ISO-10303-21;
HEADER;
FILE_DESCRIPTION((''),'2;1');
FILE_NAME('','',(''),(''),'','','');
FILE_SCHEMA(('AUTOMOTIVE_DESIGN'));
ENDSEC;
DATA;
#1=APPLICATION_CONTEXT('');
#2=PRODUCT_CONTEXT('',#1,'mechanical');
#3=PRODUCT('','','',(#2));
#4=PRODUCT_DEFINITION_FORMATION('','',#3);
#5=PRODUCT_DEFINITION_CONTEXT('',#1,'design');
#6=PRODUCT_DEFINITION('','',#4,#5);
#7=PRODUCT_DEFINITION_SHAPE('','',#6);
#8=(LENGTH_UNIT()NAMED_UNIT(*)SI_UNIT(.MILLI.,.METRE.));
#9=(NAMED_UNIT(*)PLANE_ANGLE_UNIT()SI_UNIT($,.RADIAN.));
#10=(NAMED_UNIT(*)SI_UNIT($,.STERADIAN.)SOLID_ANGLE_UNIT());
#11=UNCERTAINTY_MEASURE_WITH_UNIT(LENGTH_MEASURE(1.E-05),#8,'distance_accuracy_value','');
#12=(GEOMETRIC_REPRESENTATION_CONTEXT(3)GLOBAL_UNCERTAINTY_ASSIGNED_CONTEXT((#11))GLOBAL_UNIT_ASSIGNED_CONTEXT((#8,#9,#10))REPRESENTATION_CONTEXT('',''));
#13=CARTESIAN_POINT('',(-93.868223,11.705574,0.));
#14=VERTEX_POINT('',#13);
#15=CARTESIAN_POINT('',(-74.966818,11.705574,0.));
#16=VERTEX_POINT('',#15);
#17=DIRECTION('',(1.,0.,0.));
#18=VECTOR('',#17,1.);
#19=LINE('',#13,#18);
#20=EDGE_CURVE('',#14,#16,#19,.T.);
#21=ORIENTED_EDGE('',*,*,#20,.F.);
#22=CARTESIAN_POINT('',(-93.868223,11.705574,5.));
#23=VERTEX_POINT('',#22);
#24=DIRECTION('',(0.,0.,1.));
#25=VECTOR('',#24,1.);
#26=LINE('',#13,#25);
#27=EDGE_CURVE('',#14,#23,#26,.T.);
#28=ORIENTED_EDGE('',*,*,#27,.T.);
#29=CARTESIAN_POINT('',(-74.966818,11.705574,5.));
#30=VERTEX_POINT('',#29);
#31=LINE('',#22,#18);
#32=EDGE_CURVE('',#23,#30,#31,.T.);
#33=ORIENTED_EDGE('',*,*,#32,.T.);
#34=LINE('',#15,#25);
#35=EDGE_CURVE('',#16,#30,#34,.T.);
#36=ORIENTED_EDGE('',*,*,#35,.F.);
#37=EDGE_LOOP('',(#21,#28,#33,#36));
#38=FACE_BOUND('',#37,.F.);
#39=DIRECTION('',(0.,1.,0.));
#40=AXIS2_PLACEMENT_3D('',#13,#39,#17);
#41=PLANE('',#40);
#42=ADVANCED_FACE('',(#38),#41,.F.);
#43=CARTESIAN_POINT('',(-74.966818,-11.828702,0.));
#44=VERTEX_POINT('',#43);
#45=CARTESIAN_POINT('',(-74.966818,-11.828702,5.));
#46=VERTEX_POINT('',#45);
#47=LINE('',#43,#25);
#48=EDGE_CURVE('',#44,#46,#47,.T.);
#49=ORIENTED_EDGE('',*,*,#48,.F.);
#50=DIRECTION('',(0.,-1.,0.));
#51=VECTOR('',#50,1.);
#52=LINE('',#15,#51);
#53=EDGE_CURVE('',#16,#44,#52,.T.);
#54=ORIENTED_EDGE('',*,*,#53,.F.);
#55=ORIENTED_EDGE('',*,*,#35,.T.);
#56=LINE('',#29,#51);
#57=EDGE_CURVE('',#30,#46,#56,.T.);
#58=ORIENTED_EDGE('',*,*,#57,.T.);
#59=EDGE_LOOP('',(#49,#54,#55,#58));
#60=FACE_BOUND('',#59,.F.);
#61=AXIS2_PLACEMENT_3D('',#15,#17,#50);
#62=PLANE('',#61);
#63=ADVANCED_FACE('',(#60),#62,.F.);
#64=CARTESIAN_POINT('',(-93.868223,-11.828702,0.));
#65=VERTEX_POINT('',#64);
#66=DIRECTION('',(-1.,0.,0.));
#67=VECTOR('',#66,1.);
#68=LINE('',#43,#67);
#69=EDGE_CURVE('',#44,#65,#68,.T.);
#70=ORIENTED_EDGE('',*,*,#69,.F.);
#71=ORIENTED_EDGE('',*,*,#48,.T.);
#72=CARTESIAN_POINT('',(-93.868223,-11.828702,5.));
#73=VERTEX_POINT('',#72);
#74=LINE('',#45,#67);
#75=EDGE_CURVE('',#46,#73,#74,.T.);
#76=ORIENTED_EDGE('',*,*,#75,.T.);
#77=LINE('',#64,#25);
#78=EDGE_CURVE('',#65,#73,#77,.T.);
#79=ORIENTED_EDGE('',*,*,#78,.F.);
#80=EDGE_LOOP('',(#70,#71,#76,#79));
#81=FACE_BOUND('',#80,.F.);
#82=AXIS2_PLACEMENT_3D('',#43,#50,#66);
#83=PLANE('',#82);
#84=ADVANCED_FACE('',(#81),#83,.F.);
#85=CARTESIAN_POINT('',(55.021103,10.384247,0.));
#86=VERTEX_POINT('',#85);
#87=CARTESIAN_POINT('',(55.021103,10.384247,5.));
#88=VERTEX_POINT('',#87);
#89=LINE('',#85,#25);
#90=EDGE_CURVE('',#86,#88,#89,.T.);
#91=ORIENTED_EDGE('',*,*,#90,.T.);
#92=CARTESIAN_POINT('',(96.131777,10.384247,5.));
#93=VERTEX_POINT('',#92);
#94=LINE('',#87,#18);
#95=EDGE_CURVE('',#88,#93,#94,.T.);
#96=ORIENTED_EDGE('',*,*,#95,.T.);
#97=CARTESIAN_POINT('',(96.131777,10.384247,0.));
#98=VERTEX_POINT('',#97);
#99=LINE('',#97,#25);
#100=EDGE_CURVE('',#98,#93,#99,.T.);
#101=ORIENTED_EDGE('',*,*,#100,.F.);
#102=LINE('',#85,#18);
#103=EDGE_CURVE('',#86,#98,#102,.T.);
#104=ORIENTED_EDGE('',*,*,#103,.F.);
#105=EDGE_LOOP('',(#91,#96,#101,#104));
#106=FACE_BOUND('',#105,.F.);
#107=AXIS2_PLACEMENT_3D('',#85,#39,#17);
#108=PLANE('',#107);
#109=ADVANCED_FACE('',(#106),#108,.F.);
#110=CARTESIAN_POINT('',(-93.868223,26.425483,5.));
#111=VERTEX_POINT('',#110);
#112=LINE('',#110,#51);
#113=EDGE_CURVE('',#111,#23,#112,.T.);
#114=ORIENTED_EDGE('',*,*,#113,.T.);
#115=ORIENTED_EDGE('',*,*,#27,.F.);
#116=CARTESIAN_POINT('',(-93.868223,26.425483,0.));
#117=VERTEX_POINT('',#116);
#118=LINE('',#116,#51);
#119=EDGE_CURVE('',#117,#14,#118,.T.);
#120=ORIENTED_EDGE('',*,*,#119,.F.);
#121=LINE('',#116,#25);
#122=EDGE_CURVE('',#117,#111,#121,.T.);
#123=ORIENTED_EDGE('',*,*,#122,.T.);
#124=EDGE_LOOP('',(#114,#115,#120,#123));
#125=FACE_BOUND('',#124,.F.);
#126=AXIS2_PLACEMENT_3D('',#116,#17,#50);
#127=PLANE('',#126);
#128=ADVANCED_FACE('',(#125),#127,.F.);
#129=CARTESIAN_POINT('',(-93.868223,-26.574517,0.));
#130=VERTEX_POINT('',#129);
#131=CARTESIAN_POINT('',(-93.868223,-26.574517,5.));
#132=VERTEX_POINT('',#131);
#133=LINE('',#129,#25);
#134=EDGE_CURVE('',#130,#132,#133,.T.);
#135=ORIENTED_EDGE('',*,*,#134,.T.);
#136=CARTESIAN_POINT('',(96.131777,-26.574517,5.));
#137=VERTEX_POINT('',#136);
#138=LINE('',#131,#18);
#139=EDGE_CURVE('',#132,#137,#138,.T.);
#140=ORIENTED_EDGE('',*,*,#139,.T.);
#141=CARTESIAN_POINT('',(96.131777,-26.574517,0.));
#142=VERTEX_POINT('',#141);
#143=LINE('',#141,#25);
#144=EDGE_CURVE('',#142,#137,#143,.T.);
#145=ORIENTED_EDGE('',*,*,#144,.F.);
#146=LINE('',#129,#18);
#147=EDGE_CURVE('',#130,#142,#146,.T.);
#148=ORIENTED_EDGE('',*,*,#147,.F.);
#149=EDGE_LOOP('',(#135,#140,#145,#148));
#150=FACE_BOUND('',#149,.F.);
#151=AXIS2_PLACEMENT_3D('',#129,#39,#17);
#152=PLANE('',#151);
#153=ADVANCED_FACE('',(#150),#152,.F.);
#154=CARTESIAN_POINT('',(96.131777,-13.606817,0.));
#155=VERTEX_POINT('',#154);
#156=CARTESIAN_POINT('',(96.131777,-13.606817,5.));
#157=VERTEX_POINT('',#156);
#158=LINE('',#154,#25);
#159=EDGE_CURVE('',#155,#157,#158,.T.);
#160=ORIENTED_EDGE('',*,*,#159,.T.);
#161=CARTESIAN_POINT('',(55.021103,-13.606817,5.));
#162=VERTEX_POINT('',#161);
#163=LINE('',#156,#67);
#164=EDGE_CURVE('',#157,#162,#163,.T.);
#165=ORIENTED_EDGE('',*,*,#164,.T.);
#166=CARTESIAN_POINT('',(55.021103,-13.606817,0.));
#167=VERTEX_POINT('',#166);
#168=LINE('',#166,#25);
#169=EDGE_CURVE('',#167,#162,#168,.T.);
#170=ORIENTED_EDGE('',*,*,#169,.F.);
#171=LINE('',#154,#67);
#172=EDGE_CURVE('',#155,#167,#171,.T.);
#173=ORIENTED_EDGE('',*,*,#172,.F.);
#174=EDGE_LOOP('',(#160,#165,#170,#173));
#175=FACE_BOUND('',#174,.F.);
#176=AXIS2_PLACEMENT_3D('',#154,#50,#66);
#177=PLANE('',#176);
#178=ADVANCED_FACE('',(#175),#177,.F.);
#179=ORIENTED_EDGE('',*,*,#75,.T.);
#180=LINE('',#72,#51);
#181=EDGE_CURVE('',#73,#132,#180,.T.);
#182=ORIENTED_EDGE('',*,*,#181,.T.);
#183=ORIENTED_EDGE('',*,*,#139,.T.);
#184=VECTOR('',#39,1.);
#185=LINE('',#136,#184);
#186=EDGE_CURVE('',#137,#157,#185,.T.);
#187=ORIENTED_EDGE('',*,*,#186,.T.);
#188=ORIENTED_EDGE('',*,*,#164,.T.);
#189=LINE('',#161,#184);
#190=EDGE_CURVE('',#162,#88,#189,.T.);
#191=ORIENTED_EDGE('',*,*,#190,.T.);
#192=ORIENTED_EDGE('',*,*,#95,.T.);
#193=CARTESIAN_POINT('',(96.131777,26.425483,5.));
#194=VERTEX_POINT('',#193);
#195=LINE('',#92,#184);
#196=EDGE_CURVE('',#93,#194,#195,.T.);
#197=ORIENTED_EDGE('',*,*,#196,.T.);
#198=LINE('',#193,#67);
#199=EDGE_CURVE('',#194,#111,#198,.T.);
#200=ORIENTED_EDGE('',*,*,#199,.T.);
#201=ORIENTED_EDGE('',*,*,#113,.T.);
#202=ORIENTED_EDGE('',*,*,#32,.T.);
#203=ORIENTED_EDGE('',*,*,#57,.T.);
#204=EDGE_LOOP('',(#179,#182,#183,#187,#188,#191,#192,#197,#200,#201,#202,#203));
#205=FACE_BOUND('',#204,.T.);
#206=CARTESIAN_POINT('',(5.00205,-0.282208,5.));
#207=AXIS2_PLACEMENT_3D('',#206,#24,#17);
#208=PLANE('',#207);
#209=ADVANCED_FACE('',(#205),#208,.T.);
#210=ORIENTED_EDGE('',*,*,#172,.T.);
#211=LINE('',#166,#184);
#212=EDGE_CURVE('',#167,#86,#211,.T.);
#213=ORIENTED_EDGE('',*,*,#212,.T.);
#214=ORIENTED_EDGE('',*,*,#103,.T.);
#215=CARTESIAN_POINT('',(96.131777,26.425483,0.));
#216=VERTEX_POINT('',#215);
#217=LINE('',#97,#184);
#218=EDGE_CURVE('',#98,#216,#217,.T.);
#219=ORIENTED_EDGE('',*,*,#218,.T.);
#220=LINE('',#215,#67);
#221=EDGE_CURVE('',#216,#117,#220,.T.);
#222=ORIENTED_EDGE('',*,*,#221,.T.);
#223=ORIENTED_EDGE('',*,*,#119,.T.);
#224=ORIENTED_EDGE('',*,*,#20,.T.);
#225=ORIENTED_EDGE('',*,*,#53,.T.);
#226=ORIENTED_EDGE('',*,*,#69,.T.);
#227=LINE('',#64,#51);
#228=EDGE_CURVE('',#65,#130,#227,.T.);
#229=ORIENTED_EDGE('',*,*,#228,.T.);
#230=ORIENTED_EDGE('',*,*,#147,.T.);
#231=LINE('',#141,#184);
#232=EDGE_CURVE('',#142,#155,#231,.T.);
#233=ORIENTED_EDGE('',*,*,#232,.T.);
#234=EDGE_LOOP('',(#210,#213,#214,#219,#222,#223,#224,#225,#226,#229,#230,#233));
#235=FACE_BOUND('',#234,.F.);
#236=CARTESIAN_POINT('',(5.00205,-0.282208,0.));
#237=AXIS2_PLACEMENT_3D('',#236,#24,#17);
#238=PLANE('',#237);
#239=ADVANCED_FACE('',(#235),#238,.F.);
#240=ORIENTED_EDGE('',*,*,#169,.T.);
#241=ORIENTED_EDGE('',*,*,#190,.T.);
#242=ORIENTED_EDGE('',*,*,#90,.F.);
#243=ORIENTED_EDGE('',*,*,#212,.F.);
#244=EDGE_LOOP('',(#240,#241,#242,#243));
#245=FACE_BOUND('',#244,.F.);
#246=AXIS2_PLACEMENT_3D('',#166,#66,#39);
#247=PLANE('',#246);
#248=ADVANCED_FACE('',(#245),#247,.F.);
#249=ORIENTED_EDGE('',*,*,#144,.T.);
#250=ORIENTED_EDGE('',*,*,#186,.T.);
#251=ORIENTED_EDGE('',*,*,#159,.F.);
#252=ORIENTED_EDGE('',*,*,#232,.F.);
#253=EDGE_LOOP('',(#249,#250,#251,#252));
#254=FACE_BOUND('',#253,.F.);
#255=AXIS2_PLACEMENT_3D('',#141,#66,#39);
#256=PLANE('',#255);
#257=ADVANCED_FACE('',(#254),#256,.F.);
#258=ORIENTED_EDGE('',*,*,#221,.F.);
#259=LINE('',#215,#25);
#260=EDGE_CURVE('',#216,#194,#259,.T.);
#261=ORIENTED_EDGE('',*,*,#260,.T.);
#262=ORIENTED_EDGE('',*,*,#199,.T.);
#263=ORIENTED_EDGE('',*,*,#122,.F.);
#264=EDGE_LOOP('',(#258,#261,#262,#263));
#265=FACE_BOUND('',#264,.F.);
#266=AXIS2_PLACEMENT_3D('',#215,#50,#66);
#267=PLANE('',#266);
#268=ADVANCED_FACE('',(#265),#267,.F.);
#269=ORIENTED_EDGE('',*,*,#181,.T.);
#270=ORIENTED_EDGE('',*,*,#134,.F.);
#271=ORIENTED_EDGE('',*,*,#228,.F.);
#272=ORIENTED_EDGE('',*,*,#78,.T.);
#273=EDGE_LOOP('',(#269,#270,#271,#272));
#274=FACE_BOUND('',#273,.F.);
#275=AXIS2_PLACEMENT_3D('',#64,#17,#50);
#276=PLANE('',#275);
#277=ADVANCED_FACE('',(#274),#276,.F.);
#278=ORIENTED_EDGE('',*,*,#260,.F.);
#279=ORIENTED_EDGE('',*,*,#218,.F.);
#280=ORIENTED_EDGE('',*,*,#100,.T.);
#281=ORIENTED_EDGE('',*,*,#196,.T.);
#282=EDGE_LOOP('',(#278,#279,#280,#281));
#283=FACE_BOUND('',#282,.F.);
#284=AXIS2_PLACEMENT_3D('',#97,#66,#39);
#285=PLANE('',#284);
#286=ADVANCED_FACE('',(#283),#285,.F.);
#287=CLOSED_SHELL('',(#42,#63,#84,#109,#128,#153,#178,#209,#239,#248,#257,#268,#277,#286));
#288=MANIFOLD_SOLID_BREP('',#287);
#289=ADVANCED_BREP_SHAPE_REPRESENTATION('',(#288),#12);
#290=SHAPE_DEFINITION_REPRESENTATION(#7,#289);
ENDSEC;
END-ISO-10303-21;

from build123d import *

# Parameters (mm, degrees)
F1_DEPTH = 5
F0_W     = 41.110674
F0_H     = 23.991064
F2_DEPTH = 25
F3_DEPTH = 25


with BuildPart() as f1:
    # F0 (on Top) → F1 (new body)
    with BuildSketch(Plane.XY):
        Polygon((96.131777, 26.425483), (-93.868223, 26.425483), (-93.868223, 11.705574), (-74.966818, 11.705574), (-74.966818, -11.828702), (-93.868223, -11.828702), (-93.868223, -14.370874), (-93.868223, -26.574517), (96.131777, -26.574517), (96.131777, -13.606817), (55.021103, -13.606817), (55.021103, 10.384247), (96.131777, 10.384247), align=None)
    extrude(amount=F1_DEPTH)

    # F0 (on Top) → F2 (cut)
    with BuildSketch(Plane.XY):
        Polygon((96.131777, 26.425483), (-93.868223, 26.425483), (-93.868223, 11.705574), (-74.966818, 11.705574), (-74.966818, -11.828702), (-93.868223, -11.828702), (-93.868223, -14.370874), (-93.868223, -26.574517), (96.131777, -26.574517), (96.131777, -13.606817), (55.021103, -13.606817), (55.021103, 10.384247), (96.131777, 10.384247), align=None)
        Polygon((-74.966818, 11.705574), (-93.868223, 11.705574), (-93.868223, -0.074517), (-93.868223, -11.828702), (-74.966818, -11.828702), align=None)
        with Locations((75.57644, -1.611285)):
            Rectangle(F0_W, F0_H)
    extrude(amount=-F2_DEPTH, mode=Mode.SUBTRACT)

    # F0 (on Top) → F3 (cut)
    with BuildSketch(Plane.XY):
        Polygon((96.131777, 26.425483), (-93.868223, 26.425483), (-93.868223, 11.705574), (-74.966818, 11.705574), (-74.966818, -11.828702), (-93.868223, -11.828702), (-93.868223, -14.370874), (-93.868223, -26.574517), (96.131777, -26.574517), (96.131777, -13.606817), (55.021103, -13.606817), (55.021103, 10.384247), (96.131777, 10.384247), align=None)
        Polygon((-74.966818, 11.705574), (-93.868223, 11.705574), (-93.868223, -0.074517), (-93.868223, -11.828702), (-74.966818, -11.828702), align=None)
        with Locations((75.57644, -1.611285)):
            Rectangle(F0_W, F0_H)
    extrude(amount=-F3_DEPTH, mode=Mode.SUBTRACT)


solid = f1.part
